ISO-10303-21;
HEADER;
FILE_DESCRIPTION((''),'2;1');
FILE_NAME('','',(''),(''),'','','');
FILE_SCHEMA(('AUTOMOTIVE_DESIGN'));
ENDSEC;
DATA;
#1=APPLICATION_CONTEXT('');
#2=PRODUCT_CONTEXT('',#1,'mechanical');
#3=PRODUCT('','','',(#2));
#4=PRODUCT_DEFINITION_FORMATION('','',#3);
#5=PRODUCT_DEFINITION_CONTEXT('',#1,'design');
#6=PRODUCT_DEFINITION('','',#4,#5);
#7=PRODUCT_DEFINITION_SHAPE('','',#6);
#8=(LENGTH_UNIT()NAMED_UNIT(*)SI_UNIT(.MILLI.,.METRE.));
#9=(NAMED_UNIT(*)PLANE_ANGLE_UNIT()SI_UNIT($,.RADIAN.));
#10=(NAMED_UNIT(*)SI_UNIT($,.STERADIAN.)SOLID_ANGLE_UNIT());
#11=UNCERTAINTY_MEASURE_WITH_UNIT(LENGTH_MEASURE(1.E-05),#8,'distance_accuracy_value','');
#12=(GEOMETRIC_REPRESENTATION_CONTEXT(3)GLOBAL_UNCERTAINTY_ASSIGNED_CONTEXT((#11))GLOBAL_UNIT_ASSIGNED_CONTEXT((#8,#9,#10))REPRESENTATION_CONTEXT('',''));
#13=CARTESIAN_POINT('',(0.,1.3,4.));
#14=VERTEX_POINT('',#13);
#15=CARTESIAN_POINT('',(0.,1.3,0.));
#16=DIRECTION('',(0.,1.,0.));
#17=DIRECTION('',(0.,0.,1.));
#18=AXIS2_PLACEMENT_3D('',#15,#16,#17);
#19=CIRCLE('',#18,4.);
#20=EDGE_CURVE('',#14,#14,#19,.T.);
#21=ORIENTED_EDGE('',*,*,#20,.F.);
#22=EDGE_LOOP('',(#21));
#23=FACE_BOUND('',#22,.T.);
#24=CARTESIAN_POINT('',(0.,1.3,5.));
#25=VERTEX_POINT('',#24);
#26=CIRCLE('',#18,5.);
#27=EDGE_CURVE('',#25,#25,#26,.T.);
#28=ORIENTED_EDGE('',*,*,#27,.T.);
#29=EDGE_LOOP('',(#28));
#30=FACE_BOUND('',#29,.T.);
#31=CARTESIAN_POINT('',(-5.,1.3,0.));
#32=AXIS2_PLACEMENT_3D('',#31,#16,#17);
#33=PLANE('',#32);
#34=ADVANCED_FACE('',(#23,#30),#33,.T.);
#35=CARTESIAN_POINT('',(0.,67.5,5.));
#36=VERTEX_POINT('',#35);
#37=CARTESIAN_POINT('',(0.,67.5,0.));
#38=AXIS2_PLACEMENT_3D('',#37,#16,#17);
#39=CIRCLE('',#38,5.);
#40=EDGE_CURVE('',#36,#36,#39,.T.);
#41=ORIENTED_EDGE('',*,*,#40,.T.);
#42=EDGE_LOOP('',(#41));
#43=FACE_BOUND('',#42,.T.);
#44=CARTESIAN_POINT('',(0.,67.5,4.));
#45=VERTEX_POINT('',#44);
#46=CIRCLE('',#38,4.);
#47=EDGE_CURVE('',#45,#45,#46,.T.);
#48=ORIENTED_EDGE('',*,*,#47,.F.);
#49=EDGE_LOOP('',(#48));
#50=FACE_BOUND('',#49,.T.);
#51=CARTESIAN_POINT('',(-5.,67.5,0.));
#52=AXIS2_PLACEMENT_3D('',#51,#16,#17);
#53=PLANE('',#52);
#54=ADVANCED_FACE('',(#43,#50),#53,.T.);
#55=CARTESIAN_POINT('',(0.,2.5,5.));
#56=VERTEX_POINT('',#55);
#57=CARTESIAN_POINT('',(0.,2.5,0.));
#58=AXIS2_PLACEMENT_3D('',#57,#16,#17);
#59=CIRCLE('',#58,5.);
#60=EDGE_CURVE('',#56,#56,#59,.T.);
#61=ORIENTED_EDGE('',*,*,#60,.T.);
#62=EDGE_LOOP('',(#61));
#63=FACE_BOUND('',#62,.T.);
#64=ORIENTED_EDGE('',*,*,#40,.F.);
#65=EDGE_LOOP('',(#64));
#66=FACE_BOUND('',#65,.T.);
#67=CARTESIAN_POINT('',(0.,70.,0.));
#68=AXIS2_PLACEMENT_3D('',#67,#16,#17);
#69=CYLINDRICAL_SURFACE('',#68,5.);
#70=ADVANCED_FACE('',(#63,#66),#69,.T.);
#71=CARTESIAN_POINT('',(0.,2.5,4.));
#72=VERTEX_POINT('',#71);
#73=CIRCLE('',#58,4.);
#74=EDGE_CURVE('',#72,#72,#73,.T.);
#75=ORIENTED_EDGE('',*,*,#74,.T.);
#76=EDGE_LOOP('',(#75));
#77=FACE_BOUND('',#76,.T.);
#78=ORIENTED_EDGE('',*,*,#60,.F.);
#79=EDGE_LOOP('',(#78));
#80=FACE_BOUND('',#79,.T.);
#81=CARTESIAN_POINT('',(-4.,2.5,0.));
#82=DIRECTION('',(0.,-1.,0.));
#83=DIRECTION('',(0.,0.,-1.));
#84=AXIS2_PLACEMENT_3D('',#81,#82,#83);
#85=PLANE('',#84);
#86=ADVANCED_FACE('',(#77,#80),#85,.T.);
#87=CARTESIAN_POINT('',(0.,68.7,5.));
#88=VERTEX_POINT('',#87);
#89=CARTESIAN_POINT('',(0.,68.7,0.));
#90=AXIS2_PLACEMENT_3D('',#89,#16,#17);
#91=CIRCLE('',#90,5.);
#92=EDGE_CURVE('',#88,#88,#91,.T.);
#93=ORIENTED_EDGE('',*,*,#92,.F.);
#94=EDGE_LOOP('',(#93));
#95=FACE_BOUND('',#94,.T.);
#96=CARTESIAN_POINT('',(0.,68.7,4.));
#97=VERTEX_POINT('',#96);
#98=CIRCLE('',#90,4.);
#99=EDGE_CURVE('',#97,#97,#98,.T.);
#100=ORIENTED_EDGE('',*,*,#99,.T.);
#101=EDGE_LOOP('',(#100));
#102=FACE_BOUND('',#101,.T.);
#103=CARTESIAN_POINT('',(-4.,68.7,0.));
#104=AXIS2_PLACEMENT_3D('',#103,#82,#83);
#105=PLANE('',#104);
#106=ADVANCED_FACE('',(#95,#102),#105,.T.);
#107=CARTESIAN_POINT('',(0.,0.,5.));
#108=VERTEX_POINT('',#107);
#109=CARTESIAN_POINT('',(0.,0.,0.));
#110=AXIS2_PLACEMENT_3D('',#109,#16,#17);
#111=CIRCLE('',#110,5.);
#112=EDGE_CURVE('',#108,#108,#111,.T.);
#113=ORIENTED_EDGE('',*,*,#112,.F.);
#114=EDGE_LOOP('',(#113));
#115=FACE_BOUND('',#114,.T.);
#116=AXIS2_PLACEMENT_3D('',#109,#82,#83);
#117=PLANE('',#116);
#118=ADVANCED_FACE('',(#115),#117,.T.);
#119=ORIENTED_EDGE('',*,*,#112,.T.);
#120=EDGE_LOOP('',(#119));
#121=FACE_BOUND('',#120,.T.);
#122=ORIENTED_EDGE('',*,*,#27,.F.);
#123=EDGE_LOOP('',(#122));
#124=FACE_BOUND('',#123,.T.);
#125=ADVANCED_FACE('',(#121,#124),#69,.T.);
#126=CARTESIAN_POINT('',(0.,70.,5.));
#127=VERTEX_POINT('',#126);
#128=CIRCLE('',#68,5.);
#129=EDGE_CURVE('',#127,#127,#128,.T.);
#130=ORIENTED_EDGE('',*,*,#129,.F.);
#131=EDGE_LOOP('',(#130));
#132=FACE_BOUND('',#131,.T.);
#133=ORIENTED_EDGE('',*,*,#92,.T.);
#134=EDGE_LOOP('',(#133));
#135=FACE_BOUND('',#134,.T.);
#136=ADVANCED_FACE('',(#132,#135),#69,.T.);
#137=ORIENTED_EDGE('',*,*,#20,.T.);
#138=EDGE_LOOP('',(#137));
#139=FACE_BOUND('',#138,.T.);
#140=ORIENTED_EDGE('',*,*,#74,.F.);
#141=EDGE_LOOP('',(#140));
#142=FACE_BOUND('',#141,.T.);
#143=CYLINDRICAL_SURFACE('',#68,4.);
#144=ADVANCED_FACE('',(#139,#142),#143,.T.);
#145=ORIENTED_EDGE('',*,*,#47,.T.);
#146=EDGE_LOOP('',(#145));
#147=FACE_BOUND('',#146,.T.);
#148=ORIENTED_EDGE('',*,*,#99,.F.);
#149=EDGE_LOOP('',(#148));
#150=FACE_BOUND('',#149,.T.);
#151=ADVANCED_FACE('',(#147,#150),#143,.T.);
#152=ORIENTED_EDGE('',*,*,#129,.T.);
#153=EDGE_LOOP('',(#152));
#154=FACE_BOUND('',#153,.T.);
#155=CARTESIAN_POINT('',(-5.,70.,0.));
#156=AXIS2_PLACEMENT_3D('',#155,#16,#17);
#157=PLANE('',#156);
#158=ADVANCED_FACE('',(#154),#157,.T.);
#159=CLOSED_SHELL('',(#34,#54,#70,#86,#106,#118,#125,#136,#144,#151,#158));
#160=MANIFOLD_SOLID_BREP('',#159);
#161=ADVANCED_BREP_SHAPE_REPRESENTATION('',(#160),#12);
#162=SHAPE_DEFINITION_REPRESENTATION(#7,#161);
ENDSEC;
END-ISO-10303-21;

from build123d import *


with BuildPart() as part:
    # 草图1 → 旋转1 (revolve)
    with BuildSketch(Plane.XY, mode=Mode.PRIVATE) as revolve_1_sk:
        Polygon((0, 0), (-5, 0), (-5, 1.3), (-4, 1.3), (-4, 2.5), (-5, 2.5), (-5, 67.5), (-4, 67.5), (-4, 68.7), (-5, 68.7), (-5, 70), (0, 70), align=None)
    revolve(revolve_1_sk.sketch.rotate(Axis((0, 70, 0), (0, -1, 0)), 270), axis=Axis((0, 70, 0), (0, -1, 0)))


solid = part.part
